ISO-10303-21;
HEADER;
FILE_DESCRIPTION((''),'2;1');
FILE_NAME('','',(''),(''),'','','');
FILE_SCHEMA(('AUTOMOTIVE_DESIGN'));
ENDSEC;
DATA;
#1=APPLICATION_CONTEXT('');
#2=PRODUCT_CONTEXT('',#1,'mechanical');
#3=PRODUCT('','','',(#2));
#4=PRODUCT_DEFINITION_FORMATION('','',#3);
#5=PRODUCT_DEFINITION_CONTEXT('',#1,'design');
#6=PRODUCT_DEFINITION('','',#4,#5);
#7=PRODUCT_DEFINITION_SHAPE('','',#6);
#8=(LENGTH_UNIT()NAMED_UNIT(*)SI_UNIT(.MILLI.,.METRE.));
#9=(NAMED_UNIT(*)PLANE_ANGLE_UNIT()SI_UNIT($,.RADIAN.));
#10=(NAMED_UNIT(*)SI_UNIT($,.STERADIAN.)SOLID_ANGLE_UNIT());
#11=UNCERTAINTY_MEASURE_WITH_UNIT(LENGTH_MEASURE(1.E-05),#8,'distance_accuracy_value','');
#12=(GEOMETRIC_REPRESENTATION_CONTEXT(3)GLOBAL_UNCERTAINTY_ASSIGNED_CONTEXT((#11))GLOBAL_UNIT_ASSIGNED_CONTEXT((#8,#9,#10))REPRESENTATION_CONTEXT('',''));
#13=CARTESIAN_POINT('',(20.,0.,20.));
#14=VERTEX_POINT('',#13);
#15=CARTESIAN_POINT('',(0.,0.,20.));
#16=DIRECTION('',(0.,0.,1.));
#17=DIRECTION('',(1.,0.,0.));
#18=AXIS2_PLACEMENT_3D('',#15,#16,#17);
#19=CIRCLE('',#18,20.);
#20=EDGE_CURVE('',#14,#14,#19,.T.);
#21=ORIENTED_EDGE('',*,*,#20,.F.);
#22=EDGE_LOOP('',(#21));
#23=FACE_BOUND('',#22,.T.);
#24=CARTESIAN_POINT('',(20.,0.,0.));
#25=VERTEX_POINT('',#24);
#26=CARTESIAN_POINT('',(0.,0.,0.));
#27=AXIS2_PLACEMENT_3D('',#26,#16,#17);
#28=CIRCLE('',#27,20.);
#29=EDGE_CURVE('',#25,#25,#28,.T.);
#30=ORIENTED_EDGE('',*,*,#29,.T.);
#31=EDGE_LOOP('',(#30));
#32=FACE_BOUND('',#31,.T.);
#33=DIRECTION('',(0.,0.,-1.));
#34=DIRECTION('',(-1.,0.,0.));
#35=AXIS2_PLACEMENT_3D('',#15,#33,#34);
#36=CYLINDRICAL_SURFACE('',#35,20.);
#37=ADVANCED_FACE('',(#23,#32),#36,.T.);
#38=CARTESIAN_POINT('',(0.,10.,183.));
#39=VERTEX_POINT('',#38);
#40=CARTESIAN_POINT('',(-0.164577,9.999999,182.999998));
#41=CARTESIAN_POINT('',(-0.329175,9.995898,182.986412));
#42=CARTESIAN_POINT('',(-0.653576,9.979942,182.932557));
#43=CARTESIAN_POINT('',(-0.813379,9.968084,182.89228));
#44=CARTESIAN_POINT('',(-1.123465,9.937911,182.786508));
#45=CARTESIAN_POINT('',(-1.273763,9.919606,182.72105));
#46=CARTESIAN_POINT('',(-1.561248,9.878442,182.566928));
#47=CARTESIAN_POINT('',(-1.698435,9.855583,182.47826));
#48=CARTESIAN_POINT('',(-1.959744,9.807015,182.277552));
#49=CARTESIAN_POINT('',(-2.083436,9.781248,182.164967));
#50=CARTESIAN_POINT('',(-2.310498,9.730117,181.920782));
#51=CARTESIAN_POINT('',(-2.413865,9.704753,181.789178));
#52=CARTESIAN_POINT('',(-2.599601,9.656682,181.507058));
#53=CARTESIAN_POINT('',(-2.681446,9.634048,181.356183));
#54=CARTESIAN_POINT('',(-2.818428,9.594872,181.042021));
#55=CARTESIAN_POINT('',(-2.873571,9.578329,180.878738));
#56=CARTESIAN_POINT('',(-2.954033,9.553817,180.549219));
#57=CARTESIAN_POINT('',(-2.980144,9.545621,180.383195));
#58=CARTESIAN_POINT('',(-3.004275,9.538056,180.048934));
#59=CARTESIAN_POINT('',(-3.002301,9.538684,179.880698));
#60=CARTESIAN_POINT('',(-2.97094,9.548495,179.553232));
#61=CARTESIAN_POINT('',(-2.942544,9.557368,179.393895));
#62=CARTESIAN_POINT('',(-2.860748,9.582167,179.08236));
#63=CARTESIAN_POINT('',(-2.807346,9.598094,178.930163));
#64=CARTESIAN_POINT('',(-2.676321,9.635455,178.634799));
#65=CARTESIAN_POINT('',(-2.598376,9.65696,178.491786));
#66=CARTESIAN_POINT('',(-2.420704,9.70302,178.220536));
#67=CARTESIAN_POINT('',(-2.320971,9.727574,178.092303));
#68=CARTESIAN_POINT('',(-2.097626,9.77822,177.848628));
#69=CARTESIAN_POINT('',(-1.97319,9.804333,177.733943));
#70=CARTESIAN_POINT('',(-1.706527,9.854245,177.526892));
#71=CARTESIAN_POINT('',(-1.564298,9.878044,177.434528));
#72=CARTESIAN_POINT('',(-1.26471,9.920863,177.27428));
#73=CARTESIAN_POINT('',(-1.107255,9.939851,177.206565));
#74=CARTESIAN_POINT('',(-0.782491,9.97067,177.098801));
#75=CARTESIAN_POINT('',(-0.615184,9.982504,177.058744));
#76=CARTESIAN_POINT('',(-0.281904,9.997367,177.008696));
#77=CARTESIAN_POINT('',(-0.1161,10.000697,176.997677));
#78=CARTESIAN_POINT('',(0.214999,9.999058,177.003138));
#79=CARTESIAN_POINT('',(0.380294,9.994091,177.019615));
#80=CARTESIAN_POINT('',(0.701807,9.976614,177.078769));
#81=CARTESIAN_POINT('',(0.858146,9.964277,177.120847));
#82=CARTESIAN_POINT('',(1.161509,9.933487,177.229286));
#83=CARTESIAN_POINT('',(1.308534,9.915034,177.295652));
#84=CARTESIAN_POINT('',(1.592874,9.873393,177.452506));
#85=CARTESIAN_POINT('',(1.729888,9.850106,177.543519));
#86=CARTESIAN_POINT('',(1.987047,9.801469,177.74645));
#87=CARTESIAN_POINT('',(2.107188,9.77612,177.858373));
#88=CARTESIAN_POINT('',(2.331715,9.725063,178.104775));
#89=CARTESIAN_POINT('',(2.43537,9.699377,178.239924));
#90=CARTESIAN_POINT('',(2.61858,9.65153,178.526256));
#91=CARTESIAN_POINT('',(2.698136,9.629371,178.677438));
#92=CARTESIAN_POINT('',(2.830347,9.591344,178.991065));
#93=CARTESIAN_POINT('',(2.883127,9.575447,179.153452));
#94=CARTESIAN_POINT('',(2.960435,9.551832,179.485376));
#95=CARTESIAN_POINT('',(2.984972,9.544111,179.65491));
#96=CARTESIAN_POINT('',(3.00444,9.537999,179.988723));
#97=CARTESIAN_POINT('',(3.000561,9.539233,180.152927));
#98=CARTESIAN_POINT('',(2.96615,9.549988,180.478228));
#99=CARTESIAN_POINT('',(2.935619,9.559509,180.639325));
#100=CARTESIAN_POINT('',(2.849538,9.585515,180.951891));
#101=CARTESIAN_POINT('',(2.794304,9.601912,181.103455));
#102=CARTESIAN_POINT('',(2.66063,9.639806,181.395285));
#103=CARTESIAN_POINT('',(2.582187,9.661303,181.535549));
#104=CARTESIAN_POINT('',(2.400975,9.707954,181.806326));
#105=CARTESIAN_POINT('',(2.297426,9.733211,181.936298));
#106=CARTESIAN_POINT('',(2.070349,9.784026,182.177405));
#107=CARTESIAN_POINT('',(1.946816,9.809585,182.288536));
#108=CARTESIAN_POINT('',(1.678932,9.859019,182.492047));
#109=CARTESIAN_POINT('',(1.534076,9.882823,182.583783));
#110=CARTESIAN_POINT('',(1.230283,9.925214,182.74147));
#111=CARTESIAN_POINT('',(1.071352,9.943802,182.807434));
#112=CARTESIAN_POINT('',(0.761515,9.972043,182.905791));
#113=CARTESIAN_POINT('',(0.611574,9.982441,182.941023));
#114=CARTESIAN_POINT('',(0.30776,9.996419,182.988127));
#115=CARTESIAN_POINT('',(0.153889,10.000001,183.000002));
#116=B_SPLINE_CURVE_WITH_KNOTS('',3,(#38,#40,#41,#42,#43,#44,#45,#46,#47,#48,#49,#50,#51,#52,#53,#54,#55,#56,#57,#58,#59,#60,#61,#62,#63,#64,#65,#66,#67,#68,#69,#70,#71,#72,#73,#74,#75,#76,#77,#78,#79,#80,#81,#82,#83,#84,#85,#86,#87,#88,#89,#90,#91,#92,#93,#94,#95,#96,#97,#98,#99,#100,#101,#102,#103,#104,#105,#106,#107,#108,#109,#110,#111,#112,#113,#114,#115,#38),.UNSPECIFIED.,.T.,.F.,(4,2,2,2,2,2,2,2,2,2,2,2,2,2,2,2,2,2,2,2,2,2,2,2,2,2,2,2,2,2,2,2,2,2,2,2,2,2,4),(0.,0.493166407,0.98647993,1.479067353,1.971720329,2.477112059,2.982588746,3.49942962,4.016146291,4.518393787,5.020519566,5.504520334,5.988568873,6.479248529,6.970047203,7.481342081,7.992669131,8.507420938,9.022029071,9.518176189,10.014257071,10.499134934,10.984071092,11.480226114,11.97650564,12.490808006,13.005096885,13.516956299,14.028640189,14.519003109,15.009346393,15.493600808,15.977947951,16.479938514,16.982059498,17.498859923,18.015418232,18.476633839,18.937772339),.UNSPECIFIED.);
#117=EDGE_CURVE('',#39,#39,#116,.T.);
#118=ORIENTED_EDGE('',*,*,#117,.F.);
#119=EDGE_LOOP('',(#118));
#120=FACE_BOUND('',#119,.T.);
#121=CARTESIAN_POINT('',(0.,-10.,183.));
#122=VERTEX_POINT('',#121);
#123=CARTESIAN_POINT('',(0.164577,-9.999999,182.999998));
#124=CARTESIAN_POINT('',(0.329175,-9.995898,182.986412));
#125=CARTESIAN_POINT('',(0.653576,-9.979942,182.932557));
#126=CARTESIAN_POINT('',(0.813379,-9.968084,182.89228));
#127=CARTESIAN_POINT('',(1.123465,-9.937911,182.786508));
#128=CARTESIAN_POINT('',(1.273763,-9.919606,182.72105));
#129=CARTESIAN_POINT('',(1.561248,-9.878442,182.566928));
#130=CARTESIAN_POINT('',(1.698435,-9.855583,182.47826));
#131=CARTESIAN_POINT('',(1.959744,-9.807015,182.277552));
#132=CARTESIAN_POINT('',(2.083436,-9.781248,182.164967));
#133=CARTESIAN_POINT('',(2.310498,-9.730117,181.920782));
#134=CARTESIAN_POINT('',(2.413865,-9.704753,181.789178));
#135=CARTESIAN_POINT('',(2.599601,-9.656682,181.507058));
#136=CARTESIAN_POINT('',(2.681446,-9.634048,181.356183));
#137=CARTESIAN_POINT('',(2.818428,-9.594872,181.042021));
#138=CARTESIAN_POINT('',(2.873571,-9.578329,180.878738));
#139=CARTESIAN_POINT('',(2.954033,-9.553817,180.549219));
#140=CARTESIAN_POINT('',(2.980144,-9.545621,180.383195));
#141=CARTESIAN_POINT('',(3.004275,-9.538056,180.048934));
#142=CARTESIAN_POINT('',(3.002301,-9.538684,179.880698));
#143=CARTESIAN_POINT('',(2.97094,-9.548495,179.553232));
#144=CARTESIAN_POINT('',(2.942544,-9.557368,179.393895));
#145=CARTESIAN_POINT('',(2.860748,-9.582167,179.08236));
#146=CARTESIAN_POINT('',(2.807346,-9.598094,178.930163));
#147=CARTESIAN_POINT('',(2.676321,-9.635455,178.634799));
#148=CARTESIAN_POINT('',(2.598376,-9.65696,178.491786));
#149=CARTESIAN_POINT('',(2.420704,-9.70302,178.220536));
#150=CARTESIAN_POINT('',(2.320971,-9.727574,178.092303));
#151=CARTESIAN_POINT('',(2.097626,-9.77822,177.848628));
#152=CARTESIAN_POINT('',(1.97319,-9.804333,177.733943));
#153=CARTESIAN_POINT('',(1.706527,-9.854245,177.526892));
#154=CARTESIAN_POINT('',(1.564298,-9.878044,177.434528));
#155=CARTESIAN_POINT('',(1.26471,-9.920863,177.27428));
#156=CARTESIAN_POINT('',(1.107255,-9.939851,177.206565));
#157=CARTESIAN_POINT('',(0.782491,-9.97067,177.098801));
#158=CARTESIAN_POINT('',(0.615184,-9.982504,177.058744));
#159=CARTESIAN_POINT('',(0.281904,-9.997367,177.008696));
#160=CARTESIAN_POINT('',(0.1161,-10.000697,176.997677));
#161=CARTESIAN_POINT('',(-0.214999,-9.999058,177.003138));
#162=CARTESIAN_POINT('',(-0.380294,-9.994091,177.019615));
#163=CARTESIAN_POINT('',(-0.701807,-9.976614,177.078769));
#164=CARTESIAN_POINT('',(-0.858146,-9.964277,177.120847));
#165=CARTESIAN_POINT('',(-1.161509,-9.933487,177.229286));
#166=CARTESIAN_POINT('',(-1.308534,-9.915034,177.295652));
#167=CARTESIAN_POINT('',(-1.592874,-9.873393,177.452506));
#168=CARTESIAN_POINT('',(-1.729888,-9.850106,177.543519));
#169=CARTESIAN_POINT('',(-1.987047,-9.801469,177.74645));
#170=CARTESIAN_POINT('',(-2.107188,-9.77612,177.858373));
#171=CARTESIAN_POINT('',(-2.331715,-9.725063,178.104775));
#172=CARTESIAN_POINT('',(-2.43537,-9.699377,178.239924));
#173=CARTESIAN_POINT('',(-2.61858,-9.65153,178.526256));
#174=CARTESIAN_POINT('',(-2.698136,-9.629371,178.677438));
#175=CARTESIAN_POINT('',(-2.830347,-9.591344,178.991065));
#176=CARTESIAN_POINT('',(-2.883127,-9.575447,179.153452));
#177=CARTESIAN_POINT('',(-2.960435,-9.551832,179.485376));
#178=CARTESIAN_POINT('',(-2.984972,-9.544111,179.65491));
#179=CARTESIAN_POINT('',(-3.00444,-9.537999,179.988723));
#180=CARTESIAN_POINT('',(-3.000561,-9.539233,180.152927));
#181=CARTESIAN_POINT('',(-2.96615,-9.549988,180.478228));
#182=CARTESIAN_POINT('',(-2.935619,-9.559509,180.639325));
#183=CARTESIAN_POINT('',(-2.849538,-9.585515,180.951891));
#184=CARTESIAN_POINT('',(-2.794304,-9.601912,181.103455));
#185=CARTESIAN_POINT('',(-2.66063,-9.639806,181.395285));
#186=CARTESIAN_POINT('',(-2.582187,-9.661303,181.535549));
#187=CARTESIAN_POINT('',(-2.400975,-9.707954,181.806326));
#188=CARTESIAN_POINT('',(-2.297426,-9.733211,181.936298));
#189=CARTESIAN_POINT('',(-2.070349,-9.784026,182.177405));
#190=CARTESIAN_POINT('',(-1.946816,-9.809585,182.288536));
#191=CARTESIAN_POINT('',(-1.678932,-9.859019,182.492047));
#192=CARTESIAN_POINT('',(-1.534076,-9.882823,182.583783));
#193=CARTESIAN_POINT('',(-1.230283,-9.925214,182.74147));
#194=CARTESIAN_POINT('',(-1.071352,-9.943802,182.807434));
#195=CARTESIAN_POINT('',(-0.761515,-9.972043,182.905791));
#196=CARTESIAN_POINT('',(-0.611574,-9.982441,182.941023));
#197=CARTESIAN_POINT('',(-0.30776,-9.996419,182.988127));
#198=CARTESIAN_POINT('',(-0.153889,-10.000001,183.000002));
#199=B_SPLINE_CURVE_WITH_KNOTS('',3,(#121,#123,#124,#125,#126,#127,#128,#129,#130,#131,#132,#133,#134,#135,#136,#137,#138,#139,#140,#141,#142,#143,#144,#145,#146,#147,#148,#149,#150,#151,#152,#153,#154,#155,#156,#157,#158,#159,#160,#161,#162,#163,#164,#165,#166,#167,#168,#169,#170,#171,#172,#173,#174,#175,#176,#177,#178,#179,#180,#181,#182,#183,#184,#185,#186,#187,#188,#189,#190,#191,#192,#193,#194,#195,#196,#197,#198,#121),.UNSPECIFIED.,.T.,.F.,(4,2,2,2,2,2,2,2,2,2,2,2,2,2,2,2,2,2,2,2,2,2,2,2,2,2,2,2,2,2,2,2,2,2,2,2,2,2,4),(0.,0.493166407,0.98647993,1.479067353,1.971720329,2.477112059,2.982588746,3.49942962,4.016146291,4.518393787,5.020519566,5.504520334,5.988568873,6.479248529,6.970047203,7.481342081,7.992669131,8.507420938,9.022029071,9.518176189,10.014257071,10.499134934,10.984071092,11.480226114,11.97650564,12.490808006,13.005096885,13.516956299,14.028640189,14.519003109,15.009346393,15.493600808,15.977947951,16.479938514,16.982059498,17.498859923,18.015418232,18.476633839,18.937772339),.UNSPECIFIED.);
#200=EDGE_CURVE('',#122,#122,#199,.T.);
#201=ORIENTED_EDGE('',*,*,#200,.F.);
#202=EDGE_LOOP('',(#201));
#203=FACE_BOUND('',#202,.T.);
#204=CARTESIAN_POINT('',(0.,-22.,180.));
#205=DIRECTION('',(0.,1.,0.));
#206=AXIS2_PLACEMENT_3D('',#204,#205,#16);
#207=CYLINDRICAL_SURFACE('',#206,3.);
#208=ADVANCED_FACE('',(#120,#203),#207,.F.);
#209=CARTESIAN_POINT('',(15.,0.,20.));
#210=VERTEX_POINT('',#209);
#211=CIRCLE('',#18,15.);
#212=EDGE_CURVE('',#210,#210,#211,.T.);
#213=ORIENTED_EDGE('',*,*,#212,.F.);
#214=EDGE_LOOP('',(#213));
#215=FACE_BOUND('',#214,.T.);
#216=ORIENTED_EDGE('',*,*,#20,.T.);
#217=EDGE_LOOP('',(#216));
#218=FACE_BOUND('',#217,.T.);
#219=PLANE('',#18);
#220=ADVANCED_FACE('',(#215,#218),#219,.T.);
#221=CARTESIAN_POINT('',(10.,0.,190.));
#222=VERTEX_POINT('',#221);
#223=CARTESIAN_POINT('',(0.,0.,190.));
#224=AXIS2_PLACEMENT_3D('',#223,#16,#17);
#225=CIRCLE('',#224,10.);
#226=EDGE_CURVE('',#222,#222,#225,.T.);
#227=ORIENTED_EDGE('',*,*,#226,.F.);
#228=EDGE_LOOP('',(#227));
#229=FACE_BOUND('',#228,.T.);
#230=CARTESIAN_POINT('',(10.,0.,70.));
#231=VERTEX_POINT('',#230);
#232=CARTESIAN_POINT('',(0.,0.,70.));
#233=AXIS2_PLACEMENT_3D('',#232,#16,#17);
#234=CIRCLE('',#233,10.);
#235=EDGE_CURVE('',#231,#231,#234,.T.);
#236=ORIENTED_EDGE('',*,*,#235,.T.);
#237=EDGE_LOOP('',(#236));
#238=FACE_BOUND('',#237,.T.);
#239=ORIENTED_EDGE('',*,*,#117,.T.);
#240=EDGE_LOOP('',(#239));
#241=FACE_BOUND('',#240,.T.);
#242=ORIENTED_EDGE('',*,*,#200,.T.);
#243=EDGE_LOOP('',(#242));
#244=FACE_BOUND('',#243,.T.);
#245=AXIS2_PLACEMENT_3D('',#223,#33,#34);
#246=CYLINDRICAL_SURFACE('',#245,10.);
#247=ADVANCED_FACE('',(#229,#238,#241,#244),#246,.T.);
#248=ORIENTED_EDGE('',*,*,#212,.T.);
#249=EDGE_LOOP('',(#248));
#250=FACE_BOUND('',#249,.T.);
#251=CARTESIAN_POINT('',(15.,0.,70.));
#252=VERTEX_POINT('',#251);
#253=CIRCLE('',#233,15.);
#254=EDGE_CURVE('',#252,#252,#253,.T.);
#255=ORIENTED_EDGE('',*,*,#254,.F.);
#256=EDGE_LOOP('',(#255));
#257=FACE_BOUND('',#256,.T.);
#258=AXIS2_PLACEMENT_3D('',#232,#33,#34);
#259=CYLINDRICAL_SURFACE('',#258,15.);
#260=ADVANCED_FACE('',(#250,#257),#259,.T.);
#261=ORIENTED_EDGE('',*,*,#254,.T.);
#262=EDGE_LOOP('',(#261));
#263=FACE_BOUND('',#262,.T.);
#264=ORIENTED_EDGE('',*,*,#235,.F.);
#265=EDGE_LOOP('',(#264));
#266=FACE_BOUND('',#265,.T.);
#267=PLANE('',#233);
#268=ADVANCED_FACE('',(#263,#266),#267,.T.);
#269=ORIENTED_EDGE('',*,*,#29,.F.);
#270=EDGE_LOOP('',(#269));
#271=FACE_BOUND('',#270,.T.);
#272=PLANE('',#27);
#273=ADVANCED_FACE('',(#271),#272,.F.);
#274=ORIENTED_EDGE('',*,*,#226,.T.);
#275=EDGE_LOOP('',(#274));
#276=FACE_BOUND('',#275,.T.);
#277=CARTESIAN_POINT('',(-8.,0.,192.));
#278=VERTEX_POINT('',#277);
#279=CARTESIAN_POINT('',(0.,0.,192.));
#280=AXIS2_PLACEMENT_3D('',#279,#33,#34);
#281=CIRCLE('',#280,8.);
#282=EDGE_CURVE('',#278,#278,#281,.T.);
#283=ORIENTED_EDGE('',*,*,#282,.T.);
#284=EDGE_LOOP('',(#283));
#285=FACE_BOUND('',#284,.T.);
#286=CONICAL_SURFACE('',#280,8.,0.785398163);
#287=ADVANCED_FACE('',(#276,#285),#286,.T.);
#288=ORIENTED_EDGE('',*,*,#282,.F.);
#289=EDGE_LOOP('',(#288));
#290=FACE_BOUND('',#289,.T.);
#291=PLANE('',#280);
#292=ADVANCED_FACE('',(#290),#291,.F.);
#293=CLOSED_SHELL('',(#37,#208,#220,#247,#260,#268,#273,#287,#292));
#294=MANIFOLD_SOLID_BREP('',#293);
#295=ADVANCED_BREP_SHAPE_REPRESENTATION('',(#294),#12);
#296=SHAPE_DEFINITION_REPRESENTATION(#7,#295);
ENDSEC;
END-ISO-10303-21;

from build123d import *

# Parameters (mm, degrees)
SKETCH1_R           = 20
BOSS_EXTRUDE1_DEPTH = 20
SKETCH2_R           = 15
BOSS_EXTRUDE2_DEPTH = 50
SKETCH3_R           = 10
BOSS_EXTRUDE3_DEPTH = 120
SKETCH6_R           = 3
CUT_EXTRUDE1_DEPTH  = 22


with BuildPart() as part:
    # Sketch1 → Boss-Extrude1 (new body)
    with BuildSketch(Plane.XY):
        Circle(SKETCH1_R)
    extrude(amount=BOSS_EXTRUDE1_DEPTH)

    # Sketch2 → Boss-Extrude2 (add)
    with BuildSketch(Plane.XY.offset(20)):
        Circle(SKETCH2_R)
    extrude(amount=BOSS_EXTRUDE2_DEPTH)

    # Sketch3 → Boss-Extrude3 (add)
    with BuildSketch(Plane.XY.offset(70)):
        Circle(SKETCH3_R)
    extrude(amount=BOSS_EXTRUDE3_DEPTH)

    # Sketch5 → Revolve1 (revolve)
    with BuildSketch(Plane(origin=(0, 0, 0), x_dir=(0, 0, -1), z_dir=(1, 0, 0)), mode=Mode.PRIVATE) as revolve1_sk:
        Polygon((-190, 0), (-192, 0), (-192, -8), (-190, -10), align=None)
    revolve(revolve1_sk.sketch.rotate(Axis((0, 0, -30.365330672), (0, 0, 1)), 270), axis=Axis((0, 0, -30.365330672), (0, 0, 1)))

    # Sketch6 → Cut-Extrude1 (cut, symmetric)
    with BuildSketch(Plane(origin=(0, 0, 0), x_dir=(1, 0, 0), z_dir=(0, 1, 0))):
        with Locations(Location((0, -180, 0), (0, 0, 270))):
            Circle(SKETCH6_R)
    extrude(amount=CUT_EXTRUDE1_DEPTH, both=True, mode=Mode.SUBTRACT)


solid = part.part
